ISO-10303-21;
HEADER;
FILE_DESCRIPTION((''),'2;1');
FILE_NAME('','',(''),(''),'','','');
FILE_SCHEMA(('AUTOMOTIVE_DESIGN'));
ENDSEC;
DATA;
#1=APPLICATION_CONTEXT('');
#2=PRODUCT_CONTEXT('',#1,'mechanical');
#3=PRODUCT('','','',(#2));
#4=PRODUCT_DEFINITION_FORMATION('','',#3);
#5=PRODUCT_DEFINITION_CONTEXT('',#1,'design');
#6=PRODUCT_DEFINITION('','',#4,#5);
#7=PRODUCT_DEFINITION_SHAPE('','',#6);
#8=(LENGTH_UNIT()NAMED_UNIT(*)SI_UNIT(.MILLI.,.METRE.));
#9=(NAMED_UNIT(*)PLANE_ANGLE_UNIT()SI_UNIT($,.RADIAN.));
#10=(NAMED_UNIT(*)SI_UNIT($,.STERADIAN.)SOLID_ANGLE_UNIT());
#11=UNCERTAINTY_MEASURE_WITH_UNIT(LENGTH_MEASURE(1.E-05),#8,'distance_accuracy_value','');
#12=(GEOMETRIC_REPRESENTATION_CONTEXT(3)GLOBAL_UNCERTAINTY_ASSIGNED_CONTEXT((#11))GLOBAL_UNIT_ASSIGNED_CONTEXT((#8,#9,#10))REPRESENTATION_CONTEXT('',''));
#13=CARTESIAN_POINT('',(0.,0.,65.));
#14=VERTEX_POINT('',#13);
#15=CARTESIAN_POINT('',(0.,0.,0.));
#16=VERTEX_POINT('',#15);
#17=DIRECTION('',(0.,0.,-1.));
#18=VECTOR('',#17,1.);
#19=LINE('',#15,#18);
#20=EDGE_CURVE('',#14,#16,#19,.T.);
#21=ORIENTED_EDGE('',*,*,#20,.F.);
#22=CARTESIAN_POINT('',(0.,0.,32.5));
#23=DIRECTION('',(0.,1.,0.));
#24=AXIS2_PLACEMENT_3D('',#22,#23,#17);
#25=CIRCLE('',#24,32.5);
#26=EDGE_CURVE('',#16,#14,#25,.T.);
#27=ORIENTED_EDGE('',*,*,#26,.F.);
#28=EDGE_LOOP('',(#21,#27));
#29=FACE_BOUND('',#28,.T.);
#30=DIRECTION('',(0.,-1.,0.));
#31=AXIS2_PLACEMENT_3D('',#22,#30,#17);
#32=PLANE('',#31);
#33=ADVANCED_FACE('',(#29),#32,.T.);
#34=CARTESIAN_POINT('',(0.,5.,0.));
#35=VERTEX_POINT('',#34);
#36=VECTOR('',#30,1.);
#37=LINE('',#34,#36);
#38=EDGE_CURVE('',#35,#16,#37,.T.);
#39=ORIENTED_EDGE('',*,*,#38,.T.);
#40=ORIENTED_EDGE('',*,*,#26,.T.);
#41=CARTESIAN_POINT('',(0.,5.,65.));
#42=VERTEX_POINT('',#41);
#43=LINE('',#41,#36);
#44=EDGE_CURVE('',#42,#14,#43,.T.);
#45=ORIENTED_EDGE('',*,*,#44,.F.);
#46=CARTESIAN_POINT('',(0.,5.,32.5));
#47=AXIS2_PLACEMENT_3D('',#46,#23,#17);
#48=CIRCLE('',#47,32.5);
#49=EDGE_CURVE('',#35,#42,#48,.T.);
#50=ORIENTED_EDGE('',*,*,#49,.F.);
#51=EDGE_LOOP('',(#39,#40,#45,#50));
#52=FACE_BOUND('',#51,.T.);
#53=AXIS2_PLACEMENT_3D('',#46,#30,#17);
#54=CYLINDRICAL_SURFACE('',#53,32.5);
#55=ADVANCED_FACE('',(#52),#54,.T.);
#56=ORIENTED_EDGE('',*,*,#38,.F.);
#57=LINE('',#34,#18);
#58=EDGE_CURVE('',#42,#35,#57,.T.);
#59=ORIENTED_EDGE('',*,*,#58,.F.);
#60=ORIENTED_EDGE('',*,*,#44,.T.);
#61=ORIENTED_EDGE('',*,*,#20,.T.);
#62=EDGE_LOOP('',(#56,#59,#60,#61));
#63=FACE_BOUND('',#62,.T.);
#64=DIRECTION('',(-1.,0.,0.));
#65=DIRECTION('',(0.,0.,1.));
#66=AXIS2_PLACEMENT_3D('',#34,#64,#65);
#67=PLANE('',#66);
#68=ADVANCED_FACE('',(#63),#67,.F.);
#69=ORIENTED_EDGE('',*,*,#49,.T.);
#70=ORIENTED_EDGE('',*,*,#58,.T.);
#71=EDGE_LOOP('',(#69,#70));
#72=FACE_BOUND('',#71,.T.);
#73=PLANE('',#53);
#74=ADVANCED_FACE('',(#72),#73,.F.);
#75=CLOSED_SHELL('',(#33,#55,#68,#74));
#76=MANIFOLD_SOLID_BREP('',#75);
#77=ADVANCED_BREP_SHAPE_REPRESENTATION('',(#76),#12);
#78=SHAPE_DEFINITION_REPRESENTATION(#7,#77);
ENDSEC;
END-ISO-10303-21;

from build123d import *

# Parameters (mm, degrees)
AUFSATZ_LINEAR_AUSTRAGEN1_DEPTH = 5


with BuildPart() as part:
    # Skizze1 → Aufsatz-Linear austragen1 (new body)
    with BuildSketch(Plane(origin=(0, 0, 0), x_dir=(1, 0, 0), z_dir=(0, 1, 0))):
        with BuildLine():
            Line((0, 0), (0, -65))
            ThreePointArc((0, -65), (-32.5, -32.5), (0, 0))
        make_face()
    extrude(amount=AUFSATZ_LINEAR_AUSTRAGEN1_DEPTH)


solid = part.part
